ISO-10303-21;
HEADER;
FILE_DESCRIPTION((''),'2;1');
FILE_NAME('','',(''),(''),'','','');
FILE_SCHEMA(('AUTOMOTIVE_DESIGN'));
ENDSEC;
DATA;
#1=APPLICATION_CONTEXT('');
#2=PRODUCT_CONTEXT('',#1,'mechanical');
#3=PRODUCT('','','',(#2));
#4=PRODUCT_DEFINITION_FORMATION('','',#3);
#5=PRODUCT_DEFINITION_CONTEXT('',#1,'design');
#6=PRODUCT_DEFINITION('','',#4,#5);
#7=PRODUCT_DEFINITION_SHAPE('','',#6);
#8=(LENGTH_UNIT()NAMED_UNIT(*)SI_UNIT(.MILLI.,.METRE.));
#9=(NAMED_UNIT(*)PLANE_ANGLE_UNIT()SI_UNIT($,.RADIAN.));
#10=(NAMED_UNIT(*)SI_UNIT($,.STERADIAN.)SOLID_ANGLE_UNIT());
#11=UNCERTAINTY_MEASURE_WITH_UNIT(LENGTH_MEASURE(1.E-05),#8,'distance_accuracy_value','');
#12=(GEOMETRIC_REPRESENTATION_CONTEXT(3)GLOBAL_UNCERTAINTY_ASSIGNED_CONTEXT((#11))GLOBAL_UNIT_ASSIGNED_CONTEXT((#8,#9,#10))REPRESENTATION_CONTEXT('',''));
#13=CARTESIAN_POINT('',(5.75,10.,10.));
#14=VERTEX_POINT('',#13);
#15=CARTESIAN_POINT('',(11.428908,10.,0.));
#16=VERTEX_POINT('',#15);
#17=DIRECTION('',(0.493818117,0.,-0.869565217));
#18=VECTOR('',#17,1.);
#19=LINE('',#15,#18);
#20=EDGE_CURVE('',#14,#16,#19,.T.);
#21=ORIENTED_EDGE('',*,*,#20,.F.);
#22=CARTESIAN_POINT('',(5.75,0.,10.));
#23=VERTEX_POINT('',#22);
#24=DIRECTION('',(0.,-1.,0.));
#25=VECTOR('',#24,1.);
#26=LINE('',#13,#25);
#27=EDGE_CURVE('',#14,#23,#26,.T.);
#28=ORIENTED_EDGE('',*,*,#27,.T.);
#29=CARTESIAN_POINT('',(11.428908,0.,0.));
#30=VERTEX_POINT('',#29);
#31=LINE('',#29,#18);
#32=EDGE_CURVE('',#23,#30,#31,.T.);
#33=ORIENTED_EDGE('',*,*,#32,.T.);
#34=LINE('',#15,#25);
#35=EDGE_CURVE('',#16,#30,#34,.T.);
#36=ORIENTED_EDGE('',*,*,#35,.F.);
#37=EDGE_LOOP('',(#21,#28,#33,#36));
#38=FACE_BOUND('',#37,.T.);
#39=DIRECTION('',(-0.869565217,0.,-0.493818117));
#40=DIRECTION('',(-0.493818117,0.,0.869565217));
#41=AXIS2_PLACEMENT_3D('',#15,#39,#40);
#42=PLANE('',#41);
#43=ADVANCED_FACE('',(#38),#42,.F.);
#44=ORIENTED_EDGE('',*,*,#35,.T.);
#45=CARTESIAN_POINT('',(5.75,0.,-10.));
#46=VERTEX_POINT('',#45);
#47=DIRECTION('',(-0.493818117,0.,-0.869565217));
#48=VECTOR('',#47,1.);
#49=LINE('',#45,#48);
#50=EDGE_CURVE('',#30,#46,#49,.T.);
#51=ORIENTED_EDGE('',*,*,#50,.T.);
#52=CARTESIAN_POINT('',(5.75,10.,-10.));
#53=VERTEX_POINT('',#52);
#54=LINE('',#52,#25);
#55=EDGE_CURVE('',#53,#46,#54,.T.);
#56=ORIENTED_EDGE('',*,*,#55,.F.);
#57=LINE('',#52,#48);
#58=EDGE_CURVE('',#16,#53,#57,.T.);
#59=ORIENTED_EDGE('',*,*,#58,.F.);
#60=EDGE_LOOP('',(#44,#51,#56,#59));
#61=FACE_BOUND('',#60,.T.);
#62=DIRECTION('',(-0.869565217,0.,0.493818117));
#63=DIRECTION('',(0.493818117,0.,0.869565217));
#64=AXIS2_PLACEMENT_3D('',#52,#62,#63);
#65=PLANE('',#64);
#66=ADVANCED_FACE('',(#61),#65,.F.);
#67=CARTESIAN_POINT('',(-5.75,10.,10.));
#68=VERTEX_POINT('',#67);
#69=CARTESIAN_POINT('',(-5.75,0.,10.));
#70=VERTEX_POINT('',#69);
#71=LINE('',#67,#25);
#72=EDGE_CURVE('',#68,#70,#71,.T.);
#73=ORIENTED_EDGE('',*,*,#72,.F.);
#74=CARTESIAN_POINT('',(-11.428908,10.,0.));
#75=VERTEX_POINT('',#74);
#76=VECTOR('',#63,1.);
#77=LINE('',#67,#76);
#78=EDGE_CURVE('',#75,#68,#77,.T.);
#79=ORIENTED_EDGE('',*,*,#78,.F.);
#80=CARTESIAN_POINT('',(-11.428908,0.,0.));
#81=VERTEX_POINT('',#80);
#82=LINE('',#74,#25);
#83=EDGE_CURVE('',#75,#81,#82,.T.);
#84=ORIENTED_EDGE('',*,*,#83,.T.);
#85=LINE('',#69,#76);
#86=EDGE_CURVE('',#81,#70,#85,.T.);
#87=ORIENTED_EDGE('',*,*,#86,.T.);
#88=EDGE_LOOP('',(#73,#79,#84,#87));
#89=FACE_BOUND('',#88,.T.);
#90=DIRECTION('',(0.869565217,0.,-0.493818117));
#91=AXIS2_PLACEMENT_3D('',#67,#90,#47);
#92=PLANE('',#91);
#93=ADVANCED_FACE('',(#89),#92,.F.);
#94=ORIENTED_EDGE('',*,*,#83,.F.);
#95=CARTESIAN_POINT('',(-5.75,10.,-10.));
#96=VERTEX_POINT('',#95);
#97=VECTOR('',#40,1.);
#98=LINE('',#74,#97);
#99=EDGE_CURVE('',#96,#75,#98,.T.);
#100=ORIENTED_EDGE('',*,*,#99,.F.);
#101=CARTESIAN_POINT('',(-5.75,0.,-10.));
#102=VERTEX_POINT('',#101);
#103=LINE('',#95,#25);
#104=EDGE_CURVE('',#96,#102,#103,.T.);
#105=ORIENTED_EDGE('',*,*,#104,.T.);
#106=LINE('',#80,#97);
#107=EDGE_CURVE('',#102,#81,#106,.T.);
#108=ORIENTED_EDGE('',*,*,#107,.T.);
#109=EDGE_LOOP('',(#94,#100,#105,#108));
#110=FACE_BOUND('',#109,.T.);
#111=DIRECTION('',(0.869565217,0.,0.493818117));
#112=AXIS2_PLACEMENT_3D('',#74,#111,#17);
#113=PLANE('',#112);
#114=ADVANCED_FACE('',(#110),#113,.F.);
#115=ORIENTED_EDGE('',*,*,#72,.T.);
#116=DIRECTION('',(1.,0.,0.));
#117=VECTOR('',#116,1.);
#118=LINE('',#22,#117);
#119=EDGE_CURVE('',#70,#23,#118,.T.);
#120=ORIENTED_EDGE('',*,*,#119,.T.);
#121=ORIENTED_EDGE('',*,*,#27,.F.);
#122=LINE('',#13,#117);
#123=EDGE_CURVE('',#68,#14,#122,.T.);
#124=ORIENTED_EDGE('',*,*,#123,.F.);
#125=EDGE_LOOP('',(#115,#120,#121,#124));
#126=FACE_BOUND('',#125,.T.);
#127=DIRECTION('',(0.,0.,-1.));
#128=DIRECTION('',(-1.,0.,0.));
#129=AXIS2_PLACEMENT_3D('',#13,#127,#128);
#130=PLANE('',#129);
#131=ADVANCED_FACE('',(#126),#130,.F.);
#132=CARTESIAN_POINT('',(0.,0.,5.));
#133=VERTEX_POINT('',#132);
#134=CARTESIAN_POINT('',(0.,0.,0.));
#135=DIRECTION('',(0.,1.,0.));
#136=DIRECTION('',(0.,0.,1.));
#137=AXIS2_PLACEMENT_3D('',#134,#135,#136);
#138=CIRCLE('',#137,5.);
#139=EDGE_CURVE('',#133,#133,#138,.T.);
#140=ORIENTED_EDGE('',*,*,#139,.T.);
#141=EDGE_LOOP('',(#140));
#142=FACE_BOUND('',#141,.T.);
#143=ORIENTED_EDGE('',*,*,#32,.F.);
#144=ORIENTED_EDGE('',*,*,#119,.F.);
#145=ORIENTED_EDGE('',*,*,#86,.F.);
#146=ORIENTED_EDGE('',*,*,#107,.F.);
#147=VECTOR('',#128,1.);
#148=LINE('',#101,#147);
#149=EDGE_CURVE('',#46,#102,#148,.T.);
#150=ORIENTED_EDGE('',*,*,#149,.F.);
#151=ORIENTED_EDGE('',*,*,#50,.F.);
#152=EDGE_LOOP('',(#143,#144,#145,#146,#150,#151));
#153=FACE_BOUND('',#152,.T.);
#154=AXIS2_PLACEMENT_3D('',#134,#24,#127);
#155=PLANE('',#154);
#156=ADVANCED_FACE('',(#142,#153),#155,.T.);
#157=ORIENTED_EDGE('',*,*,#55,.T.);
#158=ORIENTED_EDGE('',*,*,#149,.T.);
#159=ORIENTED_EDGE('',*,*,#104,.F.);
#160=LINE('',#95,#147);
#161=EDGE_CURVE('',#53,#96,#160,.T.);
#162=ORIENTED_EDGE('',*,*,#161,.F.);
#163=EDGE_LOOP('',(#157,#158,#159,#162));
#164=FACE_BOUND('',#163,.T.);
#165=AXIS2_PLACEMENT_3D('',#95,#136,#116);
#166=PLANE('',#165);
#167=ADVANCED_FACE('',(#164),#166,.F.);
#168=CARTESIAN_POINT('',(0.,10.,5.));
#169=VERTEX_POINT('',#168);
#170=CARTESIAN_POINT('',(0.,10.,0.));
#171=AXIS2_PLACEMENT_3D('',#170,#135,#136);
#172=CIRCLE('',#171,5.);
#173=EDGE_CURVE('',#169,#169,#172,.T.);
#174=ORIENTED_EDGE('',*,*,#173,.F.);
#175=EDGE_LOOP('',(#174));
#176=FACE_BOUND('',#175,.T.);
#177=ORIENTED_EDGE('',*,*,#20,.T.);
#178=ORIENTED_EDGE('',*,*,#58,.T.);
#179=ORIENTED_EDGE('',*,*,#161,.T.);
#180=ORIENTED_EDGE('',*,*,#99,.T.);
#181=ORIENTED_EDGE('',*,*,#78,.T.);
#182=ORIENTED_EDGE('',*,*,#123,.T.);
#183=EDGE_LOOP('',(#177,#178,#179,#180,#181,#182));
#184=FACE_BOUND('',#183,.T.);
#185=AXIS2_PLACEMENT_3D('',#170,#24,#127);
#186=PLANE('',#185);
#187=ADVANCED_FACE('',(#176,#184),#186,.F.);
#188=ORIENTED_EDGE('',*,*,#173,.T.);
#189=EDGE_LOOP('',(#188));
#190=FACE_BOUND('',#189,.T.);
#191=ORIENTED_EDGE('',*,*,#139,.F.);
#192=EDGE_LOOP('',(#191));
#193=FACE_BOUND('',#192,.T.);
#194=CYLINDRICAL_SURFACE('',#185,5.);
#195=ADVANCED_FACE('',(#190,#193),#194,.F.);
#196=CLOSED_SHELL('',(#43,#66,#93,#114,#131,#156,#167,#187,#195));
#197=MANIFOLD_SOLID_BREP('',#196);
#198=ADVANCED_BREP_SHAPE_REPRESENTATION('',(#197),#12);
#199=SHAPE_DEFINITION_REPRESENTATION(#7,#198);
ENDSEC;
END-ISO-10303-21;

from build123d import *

# Parameters (mm, degrees)
SKETCH1_R           = 5
BOSS_EXTRUDE1_DEPTH = 10


with BuildPart() as part:
    # Sketch1 → Boss-Extrude1 (new body)
    with BuildSketch(Plane(origin=(0, 0, 0), x_dir=(1, 0, 0), z_dir=(0, 1, 0))):
        Polygon((-5.75, 10), (5.75, 10), (11.428908346, 0), (5.75, -10), (-5.75, -10), (-11.428908346, 0), align=None)
        Circle(SKETCH1_R, mode=Mode.SUBTRACT)
    extrude(amount=BOSS_EXTRUDE1_DEPTH)


solid = part.part
